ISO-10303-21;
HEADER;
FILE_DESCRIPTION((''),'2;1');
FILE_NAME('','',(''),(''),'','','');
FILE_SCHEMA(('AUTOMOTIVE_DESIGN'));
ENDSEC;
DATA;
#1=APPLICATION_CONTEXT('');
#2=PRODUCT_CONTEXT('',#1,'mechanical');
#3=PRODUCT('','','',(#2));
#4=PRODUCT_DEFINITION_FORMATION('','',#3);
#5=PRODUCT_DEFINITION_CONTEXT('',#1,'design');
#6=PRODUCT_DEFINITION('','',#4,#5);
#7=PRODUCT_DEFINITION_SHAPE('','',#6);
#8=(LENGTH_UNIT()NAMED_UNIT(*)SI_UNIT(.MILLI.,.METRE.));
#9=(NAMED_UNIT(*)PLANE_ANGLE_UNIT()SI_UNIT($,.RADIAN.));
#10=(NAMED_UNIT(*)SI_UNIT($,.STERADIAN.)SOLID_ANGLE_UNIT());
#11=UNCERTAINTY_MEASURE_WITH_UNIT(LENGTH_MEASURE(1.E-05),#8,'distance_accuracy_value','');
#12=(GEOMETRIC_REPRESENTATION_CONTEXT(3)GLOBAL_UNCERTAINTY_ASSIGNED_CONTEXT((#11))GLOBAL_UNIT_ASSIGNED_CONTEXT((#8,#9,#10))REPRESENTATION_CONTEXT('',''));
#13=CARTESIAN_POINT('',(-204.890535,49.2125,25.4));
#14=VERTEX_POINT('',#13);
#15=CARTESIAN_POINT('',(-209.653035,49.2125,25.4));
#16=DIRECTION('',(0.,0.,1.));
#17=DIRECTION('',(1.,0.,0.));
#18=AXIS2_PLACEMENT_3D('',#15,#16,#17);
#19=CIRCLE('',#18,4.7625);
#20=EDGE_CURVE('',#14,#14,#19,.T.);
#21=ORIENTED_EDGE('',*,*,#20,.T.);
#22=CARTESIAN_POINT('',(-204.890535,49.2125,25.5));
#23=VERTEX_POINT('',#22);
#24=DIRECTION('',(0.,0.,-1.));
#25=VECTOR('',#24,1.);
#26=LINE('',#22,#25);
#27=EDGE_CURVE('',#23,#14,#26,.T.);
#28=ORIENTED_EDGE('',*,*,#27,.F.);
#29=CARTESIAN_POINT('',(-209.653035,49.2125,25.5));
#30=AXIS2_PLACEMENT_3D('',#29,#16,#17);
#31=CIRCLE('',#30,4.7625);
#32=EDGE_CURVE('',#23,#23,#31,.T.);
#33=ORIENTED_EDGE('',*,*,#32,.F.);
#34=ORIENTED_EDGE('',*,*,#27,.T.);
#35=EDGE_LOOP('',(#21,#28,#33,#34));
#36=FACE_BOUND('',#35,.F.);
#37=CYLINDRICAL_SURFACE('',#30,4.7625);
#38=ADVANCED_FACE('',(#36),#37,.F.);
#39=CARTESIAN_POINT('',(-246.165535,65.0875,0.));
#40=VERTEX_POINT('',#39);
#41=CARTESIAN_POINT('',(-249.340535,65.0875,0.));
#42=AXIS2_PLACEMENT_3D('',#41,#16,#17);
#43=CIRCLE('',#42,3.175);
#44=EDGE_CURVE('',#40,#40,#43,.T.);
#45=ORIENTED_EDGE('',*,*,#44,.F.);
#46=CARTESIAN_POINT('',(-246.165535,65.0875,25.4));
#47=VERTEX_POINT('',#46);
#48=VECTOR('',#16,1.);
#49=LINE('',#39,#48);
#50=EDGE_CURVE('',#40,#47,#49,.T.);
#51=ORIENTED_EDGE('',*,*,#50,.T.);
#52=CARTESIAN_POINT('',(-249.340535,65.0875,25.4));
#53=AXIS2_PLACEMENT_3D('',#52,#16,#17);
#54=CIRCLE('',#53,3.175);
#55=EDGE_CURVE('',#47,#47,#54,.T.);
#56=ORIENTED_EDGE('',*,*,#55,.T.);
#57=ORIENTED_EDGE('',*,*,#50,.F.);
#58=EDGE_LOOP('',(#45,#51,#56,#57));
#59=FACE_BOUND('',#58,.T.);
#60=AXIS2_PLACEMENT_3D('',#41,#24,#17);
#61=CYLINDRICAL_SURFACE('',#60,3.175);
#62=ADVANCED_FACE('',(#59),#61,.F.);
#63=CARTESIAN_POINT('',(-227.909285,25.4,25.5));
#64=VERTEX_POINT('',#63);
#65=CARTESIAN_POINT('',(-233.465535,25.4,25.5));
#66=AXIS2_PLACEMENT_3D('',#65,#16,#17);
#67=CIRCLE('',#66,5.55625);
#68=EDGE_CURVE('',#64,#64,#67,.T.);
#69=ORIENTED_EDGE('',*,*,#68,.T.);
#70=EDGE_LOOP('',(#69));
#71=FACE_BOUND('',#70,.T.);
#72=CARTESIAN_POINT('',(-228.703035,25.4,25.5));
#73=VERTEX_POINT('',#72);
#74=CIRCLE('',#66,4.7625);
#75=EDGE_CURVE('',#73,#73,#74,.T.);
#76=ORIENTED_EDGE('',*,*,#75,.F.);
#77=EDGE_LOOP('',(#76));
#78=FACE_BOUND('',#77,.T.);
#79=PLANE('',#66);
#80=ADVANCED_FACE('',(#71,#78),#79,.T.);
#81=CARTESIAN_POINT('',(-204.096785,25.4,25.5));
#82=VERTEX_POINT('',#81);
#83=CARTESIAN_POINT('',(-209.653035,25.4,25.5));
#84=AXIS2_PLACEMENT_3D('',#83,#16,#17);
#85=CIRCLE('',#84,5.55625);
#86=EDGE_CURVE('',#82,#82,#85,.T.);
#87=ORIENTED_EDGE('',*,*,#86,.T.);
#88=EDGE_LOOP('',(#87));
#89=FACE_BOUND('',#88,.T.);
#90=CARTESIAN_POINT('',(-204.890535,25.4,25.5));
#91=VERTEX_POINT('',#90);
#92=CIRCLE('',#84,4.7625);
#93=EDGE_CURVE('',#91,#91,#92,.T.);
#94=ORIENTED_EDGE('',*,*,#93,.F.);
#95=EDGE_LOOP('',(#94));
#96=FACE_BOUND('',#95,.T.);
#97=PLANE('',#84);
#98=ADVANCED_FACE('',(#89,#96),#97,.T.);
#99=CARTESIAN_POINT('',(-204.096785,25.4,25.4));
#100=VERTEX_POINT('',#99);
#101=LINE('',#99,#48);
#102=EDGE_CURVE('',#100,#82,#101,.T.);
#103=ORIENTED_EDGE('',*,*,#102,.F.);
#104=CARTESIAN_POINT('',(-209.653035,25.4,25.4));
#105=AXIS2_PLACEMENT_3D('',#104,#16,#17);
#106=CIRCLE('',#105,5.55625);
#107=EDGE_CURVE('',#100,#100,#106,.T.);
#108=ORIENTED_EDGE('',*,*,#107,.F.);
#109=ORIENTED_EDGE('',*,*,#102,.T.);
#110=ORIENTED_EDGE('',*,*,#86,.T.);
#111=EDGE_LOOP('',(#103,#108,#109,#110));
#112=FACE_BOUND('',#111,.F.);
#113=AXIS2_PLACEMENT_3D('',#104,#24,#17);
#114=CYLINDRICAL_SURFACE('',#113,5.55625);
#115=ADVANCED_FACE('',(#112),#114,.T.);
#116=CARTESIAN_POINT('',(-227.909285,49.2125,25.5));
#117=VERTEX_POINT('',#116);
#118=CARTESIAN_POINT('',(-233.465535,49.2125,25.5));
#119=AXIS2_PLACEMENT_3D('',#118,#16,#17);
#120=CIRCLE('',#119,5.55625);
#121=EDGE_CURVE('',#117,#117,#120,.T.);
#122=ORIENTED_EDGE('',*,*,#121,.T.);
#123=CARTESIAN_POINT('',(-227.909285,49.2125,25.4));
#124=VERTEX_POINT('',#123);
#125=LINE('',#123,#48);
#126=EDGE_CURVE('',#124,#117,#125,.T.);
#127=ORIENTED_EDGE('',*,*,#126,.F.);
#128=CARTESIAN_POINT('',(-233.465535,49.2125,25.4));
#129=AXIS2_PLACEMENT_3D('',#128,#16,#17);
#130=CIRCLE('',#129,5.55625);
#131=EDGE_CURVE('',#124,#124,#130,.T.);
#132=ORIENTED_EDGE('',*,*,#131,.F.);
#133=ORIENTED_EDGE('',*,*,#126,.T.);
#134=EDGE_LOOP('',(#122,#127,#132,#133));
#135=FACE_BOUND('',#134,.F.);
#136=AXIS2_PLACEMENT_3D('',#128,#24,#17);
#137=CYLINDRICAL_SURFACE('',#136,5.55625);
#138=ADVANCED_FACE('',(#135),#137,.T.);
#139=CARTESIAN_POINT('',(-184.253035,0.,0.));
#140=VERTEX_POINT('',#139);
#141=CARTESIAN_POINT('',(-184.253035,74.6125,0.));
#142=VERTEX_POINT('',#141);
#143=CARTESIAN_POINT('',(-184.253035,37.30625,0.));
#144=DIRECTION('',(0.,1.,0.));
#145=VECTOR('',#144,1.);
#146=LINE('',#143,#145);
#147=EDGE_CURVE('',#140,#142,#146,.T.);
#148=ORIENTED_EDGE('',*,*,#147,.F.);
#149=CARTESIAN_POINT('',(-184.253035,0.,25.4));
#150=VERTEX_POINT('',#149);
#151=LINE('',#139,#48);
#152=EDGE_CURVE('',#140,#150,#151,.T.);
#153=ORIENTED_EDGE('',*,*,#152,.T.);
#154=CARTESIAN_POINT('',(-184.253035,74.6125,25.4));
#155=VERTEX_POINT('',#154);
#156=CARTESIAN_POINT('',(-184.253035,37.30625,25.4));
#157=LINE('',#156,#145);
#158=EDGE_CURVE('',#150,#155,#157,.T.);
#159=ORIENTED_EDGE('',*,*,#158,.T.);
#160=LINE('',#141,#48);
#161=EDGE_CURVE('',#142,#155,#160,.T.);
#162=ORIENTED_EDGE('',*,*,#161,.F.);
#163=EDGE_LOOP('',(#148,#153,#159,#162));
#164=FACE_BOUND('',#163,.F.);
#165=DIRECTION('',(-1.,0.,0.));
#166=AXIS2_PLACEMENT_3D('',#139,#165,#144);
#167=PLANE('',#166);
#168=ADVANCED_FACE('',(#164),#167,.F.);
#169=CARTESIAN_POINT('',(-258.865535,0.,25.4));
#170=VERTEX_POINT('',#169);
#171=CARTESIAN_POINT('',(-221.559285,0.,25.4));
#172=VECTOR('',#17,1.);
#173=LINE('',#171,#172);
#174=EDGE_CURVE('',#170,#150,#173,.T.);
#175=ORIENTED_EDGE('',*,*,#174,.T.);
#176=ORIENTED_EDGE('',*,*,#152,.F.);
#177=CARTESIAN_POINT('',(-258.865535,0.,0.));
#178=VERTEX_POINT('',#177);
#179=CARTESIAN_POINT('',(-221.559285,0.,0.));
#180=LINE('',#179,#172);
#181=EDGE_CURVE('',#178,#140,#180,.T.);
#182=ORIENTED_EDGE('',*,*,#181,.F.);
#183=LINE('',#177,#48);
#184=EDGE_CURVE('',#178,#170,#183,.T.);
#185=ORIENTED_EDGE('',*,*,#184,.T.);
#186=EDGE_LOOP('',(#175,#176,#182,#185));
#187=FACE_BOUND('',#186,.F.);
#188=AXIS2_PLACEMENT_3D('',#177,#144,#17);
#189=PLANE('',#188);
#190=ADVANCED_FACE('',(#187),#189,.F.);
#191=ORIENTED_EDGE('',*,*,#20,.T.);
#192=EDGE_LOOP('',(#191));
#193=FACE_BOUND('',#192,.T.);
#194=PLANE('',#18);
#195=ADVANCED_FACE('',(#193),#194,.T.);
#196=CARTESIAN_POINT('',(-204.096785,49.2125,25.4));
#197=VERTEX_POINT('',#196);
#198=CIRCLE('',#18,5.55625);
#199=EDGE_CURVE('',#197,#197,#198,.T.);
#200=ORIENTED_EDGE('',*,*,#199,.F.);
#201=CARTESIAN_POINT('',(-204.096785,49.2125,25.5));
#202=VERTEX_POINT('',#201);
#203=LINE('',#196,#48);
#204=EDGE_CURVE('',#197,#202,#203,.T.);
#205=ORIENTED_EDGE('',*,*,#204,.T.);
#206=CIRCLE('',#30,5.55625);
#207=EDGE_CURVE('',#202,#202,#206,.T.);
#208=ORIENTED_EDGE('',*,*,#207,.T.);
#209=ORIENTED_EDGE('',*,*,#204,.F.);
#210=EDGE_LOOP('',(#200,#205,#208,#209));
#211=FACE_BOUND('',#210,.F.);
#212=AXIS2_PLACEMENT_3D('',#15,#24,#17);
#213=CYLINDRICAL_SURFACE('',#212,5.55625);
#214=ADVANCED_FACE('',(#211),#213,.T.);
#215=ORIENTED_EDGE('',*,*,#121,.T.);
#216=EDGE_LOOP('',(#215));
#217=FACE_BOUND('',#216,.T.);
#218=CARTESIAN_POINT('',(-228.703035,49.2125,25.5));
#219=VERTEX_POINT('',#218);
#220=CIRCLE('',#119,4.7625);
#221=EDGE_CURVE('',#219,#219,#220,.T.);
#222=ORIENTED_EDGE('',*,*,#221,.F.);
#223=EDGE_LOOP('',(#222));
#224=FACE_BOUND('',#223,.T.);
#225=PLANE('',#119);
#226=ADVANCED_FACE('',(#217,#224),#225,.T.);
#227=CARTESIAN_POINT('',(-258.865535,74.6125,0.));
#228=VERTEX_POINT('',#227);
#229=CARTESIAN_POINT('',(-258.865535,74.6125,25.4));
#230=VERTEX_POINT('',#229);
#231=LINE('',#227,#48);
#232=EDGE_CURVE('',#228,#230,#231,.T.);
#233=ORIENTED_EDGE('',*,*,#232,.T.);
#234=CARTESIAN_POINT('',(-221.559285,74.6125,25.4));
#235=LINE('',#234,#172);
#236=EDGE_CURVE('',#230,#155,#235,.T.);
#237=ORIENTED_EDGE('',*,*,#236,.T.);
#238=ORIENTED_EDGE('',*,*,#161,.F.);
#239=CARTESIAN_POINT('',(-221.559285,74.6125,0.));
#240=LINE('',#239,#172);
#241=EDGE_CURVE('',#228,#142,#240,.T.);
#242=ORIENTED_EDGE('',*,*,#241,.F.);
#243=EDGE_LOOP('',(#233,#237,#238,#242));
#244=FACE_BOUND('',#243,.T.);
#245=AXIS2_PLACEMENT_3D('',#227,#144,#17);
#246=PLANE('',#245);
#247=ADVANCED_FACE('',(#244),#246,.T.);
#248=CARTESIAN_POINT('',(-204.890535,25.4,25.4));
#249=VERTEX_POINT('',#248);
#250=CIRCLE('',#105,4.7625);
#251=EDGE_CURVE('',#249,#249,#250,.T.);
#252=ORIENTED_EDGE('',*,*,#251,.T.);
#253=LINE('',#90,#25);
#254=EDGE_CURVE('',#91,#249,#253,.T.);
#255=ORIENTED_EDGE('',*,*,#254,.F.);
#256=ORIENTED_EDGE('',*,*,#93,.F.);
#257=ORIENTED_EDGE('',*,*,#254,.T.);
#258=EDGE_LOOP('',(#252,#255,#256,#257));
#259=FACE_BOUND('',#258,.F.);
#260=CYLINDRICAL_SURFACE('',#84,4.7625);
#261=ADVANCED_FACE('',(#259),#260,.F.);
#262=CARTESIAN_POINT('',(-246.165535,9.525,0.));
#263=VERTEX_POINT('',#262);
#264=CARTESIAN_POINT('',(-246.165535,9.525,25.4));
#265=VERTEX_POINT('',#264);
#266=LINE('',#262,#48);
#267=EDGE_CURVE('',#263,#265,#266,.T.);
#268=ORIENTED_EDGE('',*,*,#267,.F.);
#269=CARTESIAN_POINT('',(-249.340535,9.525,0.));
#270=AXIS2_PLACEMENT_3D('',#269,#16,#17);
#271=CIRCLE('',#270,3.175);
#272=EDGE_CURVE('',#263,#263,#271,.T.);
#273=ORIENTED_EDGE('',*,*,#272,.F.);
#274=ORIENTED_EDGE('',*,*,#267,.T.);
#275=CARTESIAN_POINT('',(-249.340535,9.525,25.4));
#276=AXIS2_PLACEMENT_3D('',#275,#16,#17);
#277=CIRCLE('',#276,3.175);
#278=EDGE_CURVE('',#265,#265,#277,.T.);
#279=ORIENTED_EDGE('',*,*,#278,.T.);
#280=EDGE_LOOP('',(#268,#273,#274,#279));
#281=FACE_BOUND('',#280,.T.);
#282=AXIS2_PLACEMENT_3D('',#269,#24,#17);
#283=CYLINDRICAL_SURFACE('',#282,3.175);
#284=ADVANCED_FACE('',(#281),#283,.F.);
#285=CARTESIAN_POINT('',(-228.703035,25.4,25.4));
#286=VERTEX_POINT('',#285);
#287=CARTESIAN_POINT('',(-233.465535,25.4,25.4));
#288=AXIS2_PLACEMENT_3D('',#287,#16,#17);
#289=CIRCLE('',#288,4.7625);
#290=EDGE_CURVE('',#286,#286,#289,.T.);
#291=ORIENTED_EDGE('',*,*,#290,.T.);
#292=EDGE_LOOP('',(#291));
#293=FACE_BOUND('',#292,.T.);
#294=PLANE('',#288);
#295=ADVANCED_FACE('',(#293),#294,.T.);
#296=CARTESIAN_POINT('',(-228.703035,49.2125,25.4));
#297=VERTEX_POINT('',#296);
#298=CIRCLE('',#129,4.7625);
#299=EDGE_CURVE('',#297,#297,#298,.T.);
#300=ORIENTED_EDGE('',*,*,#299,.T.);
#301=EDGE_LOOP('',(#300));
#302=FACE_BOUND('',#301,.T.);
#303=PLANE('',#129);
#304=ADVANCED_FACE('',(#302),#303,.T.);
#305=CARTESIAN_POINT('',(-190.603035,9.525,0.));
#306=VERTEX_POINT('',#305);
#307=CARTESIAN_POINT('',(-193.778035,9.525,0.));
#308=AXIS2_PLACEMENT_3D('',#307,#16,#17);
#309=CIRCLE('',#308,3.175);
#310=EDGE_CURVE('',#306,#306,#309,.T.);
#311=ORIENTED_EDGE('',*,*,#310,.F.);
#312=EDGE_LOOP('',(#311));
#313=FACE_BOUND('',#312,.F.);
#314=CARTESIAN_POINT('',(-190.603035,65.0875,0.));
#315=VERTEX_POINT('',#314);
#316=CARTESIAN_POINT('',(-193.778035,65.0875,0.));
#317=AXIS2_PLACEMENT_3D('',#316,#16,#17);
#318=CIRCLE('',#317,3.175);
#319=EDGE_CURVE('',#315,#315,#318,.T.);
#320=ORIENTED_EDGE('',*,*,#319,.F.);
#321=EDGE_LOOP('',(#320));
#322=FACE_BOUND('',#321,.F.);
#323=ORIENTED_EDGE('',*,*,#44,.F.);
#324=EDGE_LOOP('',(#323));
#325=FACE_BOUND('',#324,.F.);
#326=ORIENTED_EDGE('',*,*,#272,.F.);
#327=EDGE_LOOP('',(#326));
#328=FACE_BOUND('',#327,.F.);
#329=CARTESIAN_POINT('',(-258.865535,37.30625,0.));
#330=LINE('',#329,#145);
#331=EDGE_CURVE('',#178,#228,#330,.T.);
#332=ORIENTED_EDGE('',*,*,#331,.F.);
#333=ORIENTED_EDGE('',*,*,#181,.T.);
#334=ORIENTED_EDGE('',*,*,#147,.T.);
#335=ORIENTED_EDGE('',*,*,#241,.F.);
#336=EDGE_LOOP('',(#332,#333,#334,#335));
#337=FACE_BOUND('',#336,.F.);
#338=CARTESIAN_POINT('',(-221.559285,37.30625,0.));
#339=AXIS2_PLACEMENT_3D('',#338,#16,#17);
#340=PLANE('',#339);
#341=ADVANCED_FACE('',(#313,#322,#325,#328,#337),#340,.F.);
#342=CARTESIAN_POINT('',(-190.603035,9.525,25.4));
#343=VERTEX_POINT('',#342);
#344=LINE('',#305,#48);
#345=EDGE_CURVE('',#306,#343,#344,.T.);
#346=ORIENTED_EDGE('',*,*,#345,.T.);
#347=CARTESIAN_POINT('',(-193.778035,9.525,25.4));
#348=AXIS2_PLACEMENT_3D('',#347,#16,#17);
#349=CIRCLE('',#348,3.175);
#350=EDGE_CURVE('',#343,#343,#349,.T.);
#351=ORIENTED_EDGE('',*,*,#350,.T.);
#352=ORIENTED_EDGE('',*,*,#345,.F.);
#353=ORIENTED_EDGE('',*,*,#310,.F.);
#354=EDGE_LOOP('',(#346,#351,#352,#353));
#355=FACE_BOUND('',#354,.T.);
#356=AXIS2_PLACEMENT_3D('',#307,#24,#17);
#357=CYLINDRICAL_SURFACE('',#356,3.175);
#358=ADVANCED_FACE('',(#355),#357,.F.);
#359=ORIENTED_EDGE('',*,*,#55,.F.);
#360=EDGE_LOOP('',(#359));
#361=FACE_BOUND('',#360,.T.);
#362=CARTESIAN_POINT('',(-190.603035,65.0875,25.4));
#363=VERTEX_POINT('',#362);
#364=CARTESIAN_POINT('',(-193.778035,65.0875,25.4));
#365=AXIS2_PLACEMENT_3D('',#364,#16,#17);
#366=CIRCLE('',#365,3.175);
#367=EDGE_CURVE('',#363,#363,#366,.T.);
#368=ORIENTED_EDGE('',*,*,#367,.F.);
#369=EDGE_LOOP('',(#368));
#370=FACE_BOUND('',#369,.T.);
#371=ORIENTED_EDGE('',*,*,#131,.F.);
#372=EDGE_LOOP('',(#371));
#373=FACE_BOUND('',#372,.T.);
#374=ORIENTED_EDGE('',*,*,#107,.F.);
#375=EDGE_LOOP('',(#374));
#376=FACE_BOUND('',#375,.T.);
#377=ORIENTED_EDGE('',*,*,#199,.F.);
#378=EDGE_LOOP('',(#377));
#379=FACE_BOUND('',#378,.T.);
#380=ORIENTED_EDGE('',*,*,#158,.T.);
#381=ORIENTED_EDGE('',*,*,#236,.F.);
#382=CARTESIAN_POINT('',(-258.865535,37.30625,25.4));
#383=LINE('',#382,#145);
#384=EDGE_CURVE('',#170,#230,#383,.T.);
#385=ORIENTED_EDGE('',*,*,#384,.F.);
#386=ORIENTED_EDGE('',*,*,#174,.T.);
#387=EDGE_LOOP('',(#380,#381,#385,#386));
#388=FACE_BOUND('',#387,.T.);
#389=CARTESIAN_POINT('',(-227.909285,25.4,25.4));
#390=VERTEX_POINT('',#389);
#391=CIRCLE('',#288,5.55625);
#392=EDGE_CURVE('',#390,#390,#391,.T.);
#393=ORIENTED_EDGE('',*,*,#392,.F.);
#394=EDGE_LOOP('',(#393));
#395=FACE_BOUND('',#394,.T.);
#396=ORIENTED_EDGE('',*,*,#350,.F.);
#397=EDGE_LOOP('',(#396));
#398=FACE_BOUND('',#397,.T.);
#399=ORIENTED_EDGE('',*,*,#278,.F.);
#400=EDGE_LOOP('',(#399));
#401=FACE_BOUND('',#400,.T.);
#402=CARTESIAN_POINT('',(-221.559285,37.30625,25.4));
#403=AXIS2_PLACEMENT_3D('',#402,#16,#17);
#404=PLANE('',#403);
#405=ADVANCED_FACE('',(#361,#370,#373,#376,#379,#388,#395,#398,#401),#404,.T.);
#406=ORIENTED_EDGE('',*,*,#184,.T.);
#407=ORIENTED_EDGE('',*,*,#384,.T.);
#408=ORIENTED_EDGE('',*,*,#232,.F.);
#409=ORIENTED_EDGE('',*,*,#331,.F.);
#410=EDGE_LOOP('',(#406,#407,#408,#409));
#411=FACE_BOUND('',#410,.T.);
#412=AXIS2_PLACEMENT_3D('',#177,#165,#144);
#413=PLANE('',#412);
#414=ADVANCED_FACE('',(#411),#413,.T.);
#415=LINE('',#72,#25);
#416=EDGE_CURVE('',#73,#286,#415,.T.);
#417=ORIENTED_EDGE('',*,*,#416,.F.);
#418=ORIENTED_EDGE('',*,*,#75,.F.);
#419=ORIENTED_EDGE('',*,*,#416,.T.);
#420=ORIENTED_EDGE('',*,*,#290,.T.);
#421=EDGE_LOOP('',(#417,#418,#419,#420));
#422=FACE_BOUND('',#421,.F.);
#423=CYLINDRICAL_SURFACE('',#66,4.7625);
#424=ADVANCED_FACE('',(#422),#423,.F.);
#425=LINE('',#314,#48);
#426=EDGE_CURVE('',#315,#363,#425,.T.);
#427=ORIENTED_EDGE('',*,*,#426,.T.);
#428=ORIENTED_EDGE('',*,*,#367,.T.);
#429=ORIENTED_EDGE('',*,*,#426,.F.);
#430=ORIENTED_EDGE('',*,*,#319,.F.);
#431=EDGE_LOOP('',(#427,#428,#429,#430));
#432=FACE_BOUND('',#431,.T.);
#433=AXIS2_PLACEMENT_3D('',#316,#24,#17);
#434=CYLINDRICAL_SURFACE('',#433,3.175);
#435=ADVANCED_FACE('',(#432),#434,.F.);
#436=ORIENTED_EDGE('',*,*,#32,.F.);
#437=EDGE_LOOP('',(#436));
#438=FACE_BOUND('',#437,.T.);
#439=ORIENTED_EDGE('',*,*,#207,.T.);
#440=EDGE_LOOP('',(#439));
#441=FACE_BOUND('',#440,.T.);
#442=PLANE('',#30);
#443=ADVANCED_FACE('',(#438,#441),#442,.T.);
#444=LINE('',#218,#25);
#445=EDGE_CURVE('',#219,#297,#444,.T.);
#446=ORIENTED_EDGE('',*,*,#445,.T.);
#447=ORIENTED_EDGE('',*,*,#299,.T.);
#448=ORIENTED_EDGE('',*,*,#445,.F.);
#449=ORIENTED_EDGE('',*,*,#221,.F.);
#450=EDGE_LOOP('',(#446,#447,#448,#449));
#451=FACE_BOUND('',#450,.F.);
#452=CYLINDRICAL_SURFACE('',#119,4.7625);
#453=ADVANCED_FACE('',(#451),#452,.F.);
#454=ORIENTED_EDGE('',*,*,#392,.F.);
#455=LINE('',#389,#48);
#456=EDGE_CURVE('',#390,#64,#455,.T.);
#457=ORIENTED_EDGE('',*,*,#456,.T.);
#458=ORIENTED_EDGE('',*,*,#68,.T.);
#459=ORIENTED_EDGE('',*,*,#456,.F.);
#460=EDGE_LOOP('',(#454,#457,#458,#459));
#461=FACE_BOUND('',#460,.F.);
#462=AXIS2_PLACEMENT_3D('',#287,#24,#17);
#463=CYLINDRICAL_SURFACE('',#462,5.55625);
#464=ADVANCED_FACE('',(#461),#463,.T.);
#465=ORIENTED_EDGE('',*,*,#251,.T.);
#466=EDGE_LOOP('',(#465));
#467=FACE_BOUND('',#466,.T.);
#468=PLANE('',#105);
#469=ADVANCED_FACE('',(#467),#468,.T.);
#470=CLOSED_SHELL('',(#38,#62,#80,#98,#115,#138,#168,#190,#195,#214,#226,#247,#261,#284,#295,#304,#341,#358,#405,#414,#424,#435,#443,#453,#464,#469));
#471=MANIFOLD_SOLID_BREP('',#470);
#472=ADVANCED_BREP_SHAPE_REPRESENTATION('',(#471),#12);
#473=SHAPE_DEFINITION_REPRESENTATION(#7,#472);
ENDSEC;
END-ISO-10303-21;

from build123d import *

# Parameters (mm, degrees)
F0_W     = 74.6125
F0_H     = 74.6125
F1_DEPTH = 25.4
F2_R     = 3.175
F3_DEPTH = 25.4
F4_R     = 5.55625
F5_DEPTH = 0.1
F6_R     = 4.7625
F7_DEPTH = 0.1


with BuildPart() as f1:
    # F0 (on Top) → F1 (new body)
    with BuildSketch(Plane.XY):
        with Locations((-221.559285, 37.30625)):
            Rectangle(F0_W, F0_H)
    extrude(amount=F1_DEPTH)

    # F2 (on Top) → F3 (cut)
    with BuildSketch(Plane.XY):
        with Locations((-249.340535, 65.0875)):
            Circle(F2_R)
        with Locations((-193.778035, 65.0875)):
            Circle(F2_R)
        with Locations((-249.340535, 9.525)):
            Circle(F2_R)
        with Locations((-193.778035, 9.525)):
            Circle(F2_R)
    extrude(amount=F3_DEPTH, mode=Mode.SUBTRACT)

    # F4 (on face) → F5 (join)
    with BuildSketch(Plane.XY.offset(25.4)):
        with Locations((-233.465535, 49.2125)):
            Circle(F4_R)
        with Locations((-209.653035, 49.2125)):
            Circle(F4_R)
        with Locations((-233.465535, 25.4)):
            Circle(F4_R)
        with Locations((-209.653035, 25.4)):
            Circle(F4_R)
    extrude(amount=F5_DEPTH)

    # F6 (on face) → F7 (cut)
    with BuildSketch(Plane.XY.offset(25.5)):
        with Locations((-233.465535, 25.4)):
            Circle(F6_R)
        with Locations((-233.465535, 49.2125)):
            Circle(F6_R)
        with Locations((-209.653035, 25.4)):
            Circle(F6_R)
        with Locations((-209.653035, 49.2125)):
            Circle(F6_R)
    extrude(amount=-F7_DEPTH, mode=Mode.SUBTRACT)


solid = f1.part
